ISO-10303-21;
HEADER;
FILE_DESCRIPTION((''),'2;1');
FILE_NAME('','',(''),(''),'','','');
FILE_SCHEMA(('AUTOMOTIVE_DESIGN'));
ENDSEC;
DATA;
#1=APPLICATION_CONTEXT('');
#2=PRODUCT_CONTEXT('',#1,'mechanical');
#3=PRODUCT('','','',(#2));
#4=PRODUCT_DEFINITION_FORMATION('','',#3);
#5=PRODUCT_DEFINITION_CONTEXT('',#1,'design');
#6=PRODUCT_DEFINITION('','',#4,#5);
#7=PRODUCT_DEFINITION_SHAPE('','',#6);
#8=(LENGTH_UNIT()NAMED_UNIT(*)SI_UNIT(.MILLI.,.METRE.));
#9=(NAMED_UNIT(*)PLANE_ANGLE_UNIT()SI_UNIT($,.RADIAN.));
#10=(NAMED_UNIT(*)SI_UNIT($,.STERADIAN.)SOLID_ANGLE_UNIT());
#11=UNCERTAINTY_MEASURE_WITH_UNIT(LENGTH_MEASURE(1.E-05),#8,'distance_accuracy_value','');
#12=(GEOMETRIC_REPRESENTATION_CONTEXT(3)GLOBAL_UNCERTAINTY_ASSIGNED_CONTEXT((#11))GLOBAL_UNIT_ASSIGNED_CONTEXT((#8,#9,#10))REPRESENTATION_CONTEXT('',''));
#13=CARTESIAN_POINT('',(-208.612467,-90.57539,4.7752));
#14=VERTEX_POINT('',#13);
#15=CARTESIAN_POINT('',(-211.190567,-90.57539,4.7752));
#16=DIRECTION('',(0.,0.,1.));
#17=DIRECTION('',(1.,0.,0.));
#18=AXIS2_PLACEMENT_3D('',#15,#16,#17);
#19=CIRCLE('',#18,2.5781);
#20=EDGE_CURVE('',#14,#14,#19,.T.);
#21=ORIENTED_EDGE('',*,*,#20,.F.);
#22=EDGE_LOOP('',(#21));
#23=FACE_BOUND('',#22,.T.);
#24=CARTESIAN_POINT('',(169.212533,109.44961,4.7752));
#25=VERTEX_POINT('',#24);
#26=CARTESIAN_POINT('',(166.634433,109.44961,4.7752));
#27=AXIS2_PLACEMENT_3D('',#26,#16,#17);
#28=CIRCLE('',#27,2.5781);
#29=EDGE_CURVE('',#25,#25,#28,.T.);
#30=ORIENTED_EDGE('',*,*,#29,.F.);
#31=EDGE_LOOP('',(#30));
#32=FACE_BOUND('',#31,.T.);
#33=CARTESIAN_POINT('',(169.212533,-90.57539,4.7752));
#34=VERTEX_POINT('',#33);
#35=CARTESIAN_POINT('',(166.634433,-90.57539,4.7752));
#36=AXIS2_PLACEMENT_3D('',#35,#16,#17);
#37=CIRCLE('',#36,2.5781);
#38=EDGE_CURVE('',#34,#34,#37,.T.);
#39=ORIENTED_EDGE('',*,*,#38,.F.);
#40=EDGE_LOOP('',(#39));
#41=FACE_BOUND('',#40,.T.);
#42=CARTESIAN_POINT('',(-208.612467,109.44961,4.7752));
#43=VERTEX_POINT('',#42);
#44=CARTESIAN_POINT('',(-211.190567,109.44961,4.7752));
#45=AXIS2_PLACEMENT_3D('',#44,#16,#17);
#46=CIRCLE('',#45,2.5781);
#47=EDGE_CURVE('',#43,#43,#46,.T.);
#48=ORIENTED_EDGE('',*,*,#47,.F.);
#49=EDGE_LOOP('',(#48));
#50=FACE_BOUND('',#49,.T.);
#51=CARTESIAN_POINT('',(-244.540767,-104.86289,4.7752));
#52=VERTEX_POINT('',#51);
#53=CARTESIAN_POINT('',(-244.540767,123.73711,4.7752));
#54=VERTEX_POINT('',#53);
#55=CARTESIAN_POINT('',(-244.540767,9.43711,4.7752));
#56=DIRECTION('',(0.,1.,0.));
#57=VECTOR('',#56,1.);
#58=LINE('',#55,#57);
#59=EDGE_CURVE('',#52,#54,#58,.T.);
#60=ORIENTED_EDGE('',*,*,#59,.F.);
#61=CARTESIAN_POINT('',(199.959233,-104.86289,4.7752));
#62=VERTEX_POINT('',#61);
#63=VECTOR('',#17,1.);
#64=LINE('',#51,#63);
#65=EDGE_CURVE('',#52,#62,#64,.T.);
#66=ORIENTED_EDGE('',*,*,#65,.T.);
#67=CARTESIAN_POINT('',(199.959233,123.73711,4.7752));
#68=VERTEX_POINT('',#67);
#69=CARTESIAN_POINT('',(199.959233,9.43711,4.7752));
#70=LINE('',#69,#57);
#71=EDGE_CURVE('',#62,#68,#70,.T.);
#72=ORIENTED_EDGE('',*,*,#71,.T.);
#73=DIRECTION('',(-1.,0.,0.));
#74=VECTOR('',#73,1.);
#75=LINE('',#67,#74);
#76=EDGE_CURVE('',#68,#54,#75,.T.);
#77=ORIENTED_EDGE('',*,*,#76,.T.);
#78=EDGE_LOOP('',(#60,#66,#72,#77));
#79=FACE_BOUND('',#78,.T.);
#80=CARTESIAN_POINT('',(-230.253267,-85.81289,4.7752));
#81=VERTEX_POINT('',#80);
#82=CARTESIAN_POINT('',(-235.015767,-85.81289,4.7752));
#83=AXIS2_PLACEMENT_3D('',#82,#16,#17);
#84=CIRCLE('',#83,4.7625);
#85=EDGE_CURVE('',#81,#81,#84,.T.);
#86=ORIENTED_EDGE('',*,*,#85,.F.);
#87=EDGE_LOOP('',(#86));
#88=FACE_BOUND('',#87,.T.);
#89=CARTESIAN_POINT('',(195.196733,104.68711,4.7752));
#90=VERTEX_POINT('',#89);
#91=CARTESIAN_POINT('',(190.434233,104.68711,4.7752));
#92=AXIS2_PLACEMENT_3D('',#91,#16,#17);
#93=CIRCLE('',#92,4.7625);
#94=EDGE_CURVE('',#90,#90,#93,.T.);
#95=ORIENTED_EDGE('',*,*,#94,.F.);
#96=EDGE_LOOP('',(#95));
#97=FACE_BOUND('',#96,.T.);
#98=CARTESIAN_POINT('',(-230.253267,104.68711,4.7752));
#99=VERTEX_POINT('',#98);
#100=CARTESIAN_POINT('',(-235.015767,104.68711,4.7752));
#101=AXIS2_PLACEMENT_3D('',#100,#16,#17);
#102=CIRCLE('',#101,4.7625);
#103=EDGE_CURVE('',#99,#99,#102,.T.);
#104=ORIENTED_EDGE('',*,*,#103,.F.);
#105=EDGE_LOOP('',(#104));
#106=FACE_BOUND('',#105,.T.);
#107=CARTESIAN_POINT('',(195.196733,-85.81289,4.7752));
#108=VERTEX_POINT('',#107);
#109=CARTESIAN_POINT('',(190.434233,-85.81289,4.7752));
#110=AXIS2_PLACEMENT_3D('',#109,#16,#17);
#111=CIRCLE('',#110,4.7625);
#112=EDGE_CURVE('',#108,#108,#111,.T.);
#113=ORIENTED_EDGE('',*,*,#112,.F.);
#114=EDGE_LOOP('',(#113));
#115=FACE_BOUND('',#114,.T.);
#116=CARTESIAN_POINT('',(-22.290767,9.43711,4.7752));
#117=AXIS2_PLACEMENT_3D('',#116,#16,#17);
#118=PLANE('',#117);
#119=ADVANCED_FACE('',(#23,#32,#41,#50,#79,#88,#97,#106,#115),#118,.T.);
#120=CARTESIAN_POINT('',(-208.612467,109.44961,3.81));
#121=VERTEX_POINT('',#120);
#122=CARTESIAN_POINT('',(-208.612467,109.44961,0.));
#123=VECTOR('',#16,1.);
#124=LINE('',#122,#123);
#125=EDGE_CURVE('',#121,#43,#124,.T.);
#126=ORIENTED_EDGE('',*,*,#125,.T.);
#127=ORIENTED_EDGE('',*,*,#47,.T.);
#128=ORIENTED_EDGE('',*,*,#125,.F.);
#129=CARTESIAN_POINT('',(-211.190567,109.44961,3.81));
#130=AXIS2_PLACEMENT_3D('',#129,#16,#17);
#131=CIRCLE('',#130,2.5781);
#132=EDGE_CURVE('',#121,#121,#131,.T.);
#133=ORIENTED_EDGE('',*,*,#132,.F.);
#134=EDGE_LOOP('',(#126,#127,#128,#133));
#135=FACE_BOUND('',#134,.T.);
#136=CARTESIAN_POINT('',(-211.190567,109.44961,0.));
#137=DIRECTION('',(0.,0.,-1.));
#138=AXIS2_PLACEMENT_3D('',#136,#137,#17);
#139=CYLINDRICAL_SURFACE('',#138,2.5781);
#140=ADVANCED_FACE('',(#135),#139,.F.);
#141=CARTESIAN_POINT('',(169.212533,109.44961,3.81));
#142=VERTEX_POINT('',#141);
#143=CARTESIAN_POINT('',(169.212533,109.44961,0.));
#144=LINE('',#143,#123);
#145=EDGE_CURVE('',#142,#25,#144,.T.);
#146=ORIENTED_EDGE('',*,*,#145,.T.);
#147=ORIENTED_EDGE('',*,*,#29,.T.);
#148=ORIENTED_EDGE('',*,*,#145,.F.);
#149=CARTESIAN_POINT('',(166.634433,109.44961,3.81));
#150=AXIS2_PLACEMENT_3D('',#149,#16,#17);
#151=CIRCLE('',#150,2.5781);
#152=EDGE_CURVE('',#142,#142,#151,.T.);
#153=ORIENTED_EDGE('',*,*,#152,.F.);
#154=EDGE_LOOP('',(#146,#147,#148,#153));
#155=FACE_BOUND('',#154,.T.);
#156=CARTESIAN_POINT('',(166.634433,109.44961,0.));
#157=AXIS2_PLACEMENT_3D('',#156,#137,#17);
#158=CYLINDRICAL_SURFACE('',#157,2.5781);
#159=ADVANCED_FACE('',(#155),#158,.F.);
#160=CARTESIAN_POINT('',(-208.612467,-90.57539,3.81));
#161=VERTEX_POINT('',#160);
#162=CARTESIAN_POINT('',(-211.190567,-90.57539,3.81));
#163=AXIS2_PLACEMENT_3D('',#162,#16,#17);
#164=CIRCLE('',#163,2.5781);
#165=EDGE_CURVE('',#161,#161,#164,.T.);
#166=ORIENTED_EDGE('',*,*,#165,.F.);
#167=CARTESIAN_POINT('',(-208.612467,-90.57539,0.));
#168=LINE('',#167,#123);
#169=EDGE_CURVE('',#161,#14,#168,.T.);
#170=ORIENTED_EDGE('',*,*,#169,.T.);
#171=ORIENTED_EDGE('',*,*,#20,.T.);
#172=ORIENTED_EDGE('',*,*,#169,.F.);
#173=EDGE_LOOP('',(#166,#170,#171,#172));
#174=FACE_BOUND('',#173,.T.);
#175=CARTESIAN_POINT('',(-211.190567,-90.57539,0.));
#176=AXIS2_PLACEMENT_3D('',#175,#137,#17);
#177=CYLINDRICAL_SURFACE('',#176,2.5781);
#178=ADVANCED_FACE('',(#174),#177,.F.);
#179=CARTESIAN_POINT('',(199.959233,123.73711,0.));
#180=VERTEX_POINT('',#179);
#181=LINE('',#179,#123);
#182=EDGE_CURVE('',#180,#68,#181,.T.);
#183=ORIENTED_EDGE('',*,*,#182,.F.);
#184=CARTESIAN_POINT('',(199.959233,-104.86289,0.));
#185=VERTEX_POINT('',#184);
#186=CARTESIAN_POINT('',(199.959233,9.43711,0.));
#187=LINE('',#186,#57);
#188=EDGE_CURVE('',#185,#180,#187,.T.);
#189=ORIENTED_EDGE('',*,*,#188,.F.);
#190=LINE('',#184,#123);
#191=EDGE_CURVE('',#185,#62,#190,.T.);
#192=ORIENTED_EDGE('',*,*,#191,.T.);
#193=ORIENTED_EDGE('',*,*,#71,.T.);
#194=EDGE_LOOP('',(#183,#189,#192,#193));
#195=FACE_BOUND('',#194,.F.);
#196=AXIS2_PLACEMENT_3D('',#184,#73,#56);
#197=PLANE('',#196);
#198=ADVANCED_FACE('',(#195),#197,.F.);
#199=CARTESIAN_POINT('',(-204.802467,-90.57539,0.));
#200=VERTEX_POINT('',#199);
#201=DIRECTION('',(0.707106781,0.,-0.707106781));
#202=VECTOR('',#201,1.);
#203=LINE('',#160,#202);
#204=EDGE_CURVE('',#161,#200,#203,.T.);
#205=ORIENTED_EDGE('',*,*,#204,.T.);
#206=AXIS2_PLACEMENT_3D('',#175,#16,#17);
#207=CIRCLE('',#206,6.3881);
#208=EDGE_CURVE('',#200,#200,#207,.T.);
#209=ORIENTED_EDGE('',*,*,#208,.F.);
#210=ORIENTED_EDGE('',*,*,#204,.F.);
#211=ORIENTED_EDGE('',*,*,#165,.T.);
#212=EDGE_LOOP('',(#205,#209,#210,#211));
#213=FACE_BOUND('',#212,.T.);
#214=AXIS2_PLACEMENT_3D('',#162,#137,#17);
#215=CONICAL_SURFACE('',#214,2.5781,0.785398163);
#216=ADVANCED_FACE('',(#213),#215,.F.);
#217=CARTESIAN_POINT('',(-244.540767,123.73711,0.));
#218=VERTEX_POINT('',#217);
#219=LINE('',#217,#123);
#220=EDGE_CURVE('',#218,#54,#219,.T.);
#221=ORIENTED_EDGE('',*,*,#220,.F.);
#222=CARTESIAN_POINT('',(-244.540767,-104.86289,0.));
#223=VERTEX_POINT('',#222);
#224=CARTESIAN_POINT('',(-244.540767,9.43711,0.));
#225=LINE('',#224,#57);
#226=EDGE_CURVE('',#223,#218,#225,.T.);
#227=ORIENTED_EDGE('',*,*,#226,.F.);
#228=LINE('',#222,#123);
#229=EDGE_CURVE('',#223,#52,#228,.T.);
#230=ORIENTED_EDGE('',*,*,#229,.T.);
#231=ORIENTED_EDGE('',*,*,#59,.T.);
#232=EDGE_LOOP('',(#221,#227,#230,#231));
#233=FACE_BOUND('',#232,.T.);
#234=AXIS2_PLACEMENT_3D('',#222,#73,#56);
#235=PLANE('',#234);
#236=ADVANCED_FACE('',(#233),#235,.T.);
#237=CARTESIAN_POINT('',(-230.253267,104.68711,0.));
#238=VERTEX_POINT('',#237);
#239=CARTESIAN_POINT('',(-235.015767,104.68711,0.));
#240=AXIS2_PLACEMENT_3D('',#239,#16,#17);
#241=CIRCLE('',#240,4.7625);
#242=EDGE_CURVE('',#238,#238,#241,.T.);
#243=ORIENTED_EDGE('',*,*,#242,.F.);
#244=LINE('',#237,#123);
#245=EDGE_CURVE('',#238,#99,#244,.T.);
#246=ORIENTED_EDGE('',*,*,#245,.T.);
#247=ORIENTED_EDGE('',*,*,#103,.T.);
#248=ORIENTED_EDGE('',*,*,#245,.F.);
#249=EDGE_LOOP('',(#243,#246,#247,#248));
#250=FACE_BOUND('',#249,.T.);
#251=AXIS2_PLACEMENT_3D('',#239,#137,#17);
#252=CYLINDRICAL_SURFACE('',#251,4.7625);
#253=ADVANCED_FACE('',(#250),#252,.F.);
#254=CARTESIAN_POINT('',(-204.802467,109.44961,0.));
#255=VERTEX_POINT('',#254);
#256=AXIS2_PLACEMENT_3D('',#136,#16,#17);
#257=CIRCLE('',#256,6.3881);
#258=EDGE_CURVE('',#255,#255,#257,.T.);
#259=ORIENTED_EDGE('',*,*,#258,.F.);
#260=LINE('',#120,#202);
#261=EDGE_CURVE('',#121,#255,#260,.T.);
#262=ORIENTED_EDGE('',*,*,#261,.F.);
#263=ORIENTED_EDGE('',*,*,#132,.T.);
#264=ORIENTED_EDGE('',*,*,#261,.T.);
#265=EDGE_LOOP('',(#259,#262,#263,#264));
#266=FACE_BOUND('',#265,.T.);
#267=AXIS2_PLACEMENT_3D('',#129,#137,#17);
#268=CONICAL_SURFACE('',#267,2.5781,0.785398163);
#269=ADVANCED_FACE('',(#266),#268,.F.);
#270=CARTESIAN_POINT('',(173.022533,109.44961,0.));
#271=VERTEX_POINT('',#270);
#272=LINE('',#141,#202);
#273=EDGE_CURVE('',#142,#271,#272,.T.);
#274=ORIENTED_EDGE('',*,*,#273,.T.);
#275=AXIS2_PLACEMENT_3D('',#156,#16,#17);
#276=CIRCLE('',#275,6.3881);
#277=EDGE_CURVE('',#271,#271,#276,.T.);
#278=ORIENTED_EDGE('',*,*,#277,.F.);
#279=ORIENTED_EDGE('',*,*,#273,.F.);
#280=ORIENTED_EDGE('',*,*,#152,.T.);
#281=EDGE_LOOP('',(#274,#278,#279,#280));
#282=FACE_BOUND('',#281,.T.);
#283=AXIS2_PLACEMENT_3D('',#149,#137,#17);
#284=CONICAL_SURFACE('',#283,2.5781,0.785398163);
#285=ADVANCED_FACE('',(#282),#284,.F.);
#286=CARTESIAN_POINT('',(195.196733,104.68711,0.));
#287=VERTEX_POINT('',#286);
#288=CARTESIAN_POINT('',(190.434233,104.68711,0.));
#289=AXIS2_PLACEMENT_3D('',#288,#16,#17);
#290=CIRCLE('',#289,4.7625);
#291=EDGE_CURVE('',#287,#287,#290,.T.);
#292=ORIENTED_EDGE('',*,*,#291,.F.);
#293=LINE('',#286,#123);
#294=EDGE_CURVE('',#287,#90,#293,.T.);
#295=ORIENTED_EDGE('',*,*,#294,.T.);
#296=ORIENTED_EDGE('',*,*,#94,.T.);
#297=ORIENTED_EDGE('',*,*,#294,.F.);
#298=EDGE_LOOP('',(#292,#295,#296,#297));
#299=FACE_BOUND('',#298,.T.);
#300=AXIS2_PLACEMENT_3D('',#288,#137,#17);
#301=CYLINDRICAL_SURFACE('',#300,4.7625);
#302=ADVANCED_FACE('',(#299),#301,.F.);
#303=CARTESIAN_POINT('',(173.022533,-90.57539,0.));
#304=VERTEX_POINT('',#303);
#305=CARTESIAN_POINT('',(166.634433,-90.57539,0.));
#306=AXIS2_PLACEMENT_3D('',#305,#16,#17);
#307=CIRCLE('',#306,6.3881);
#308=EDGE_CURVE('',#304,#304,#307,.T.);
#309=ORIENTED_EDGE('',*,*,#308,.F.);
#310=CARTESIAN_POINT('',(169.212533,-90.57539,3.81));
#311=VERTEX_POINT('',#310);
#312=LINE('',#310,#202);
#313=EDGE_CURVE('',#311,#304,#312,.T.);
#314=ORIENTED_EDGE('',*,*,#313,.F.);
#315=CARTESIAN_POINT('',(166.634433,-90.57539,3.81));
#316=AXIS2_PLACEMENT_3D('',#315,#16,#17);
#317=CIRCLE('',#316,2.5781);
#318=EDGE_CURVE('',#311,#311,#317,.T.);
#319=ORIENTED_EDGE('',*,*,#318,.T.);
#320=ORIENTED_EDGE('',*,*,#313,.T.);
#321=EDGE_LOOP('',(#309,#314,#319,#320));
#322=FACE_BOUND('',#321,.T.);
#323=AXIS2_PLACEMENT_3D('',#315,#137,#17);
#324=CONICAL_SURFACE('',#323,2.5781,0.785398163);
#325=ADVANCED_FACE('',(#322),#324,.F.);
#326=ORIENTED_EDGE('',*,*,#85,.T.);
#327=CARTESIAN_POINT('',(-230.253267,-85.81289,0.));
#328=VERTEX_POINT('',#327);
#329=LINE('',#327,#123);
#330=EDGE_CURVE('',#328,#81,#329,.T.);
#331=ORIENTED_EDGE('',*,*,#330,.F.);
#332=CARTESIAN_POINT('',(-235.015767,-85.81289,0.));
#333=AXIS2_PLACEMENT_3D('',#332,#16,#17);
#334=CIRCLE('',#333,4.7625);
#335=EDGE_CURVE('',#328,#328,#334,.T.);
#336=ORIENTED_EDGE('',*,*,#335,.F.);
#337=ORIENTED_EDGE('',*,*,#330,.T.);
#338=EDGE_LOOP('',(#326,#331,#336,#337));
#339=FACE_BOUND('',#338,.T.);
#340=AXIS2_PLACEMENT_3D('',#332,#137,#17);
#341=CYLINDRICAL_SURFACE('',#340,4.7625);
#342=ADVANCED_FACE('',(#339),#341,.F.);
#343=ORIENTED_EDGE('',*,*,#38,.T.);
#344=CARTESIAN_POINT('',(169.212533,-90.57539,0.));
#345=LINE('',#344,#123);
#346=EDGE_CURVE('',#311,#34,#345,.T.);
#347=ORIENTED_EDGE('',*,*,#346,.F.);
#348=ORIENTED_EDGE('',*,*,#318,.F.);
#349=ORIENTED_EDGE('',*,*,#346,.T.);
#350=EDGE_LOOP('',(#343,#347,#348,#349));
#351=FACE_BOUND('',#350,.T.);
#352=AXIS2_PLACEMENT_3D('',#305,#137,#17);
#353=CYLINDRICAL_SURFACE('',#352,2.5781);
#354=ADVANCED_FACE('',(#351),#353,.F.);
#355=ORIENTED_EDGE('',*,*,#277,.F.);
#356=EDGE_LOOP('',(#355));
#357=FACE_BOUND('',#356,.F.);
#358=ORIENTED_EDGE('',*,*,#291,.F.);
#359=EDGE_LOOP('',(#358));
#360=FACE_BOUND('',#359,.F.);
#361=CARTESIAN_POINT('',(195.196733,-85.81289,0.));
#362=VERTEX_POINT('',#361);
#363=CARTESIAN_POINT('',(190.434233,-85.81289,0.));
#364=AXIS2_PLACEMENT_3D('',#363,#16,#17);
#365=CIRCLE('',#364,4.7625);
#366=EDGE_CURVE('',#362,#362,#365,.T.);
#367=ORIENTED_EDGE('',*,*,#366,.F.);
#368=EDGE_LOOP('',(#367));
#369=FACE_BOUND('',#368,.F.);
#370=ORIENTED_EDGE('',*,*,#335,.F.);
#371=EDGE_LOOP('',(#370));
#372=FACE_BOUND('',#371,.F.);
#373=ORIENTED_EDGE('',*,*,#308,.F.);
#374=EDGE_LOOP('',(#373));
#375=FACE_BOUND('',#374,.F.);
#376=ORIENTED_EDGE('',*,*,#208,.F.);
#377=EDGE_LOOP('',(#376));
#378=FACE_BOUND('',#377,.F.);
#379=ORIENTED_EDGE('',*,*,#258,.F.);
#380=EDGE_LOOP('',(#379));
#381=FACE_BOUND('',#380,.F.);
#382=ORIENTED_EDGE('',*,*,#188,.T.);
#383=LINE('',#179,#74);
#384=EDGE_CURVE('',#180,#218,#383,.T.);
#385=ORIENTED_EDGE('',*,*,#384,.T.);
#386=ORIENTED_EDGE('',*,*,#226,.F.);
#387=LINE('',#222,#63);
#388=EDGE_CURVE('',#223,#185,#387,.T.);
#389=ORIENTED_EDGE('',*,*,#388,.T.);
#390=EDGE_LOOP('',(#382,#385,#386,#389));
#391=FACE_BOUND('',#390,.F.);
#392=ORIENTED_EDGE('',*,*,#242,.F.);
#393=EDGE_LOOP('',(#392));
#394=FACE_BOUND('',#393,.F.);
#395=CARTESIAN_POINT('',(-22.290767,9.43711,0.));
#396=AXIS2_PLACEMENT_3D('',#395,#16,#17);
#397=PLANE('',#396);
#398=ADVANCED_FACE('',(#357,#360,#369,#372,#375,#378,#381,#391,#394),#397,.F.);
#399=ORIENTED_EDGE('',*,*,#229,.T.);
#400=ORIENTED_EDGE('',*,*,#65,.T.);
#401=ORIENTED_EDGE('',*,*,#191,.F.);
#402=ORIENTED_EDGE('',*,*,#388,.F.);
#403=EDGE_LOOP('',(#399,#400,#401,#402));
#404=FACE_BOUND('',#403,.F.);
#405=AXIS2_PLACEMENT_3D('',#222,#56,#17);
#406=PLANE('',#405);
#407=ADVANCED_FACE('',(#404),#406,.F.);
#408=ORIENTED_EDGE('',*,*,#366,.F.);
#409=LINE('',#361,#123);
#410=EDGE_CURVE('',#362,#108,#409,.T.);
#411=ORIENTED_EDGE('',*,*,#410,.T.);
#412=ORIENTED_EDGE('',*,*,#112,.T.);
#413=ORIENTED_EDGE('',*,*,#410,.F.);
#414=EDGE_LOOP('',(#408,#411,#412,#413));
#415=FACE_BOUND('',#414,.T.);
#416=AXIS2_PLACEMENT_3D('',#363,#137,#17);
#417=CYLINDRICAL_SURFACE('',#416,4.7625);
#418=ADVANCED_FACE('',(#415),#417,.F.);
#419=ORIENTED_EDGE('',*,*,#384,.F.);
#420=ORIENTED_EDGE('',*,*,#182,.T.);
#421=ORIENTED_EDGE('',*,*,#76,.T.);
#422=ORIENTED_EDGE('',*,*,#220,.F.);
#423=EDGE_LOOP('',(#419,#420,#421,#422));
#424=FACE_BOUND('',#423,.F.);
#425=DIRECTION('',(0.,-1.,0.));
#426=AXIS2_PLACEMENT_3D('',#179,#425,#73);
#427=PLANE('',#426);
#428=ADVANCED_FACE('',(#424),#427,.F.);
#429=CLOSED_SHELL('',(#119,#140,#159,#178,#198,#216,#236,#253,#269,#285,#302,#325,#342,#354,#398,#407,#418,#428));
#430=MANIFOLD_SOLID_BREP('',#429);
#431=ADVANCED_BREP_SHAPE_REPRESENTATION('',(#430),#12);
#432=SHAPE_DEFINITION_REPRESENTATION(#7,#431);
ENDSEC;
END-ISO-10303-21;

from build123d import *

# Parameters (mm, degrees)
F0_W     = 406.4
F0_H     = 228.6
F0_W_2   = 396.875
F0_H_2   = 219.075
F0_W_3   = 19.05
F0_R     = 4.7625
F0_W_4   = 12.7
F0_H_3   = 12.7
F0_R_2   = 2.5781
F1_DEPTH = 4.7752
F2_SIZE  = 3.81


with BuildPart() as f1:
    # F0 (on Top) → F1 (new body)
    with BuildSketch(Plane.XY):
        with Locations((-22.290767, 9.43711)):
            Rectangle(F0_W, F0_H)
        with Locations((-22.278067, 9.43711)):
            Rectangle(F0_W_2, F0_H_2, mode=Mode.SUBTRACT)
        with Locations((-235.015767, 9.43711)):
            Rectangle(F0_W_3, F0_H)
        with Locations((-235.015767, -85.81289)):
            Circle(F0_R, mode=Mode.SUBTRACT)
        with Locations((-235.015767, 104.68711)):
            Circle(F0_R, mode=Mode.SUBTRACT)
        with Locations((190.434233, 9.43711)):
            Rectangle(F0_W_3, F0_H)
        with Locations((190.434233, -85.81289)):
            Circle(F0_R, mode=Mode.SUBTRACT)
        with Locations((190.434233, 104.68711)):
            Circle(F0_R, mode=Mode.SUBTRACT)
        with Locations((-22.278067, 9.43711)):
            Rectangle(F0_W_2, F0_H_2)
        with Locations((-211.190567, -90.57539)):
            Rectangle(F0_W_4, F0_H_3, mode=Mode.SUBTRACT)
        with Locations((166.634433, -90.57539)):
            Rectangle(F0_W_4, F0_H_3, mode=Mode.SUBTRACT)
        with Locations((-211.190567, 109.44961)):
            Rectangle(F0_W_4, F0_H_3, mode=Mode.SUBTRACT)
        with Locations((166.634433, 109.44961)):
            Rectangle(F0_W_4, F0_H_3, mode=Mode.SUBTRACT)
        with Locations((-211.190567, 109.44961)):
            Rectangle(F0_W_4, F0_H_3)
        with Locations((-211.190567, 109.44961)):
            Circle(F0_R_2, mode=Mode.SUBTRACT)
        with Locations((-211.190567, -90.57539)):
            Rectangle(F0_W_4, F0_H_3)
        with Locations((-211.190567, -90.57539)):
            Circle(F0_R_2, mode=Mode.SUBTRACT)
        with Locations((166.634433, -90.57539)):
            Rectangle(F0_W_4, F0_H_3)
        with Locations((166.634433, -90.57539)):
            Circle(F0_R_2, mode=Mode.SUBTRACT)
        with Locations((166.634433, 109.44961)):
            Rectangle(F0_W_4, F0_H_3)
        with Locations((166.634433, 109.44961)):
            Circle(F0_R_2, mode=Mode.SUBTRACT)
    extrude(amount=F1_DEPTH)

    # F2
    f2_edges = [f1.edges().sort_by_distance(p)[0] for p in [
        (-213.768667, -90.57539, 0),
        (164.056333, -90.57539, 0),
        (164.056333, 109.44961, 0),
        (-213.768667, 109.44961, 0),
    ]]
    chamfer(f2_edges, length=F2_SIZE)


solid = f1.part
